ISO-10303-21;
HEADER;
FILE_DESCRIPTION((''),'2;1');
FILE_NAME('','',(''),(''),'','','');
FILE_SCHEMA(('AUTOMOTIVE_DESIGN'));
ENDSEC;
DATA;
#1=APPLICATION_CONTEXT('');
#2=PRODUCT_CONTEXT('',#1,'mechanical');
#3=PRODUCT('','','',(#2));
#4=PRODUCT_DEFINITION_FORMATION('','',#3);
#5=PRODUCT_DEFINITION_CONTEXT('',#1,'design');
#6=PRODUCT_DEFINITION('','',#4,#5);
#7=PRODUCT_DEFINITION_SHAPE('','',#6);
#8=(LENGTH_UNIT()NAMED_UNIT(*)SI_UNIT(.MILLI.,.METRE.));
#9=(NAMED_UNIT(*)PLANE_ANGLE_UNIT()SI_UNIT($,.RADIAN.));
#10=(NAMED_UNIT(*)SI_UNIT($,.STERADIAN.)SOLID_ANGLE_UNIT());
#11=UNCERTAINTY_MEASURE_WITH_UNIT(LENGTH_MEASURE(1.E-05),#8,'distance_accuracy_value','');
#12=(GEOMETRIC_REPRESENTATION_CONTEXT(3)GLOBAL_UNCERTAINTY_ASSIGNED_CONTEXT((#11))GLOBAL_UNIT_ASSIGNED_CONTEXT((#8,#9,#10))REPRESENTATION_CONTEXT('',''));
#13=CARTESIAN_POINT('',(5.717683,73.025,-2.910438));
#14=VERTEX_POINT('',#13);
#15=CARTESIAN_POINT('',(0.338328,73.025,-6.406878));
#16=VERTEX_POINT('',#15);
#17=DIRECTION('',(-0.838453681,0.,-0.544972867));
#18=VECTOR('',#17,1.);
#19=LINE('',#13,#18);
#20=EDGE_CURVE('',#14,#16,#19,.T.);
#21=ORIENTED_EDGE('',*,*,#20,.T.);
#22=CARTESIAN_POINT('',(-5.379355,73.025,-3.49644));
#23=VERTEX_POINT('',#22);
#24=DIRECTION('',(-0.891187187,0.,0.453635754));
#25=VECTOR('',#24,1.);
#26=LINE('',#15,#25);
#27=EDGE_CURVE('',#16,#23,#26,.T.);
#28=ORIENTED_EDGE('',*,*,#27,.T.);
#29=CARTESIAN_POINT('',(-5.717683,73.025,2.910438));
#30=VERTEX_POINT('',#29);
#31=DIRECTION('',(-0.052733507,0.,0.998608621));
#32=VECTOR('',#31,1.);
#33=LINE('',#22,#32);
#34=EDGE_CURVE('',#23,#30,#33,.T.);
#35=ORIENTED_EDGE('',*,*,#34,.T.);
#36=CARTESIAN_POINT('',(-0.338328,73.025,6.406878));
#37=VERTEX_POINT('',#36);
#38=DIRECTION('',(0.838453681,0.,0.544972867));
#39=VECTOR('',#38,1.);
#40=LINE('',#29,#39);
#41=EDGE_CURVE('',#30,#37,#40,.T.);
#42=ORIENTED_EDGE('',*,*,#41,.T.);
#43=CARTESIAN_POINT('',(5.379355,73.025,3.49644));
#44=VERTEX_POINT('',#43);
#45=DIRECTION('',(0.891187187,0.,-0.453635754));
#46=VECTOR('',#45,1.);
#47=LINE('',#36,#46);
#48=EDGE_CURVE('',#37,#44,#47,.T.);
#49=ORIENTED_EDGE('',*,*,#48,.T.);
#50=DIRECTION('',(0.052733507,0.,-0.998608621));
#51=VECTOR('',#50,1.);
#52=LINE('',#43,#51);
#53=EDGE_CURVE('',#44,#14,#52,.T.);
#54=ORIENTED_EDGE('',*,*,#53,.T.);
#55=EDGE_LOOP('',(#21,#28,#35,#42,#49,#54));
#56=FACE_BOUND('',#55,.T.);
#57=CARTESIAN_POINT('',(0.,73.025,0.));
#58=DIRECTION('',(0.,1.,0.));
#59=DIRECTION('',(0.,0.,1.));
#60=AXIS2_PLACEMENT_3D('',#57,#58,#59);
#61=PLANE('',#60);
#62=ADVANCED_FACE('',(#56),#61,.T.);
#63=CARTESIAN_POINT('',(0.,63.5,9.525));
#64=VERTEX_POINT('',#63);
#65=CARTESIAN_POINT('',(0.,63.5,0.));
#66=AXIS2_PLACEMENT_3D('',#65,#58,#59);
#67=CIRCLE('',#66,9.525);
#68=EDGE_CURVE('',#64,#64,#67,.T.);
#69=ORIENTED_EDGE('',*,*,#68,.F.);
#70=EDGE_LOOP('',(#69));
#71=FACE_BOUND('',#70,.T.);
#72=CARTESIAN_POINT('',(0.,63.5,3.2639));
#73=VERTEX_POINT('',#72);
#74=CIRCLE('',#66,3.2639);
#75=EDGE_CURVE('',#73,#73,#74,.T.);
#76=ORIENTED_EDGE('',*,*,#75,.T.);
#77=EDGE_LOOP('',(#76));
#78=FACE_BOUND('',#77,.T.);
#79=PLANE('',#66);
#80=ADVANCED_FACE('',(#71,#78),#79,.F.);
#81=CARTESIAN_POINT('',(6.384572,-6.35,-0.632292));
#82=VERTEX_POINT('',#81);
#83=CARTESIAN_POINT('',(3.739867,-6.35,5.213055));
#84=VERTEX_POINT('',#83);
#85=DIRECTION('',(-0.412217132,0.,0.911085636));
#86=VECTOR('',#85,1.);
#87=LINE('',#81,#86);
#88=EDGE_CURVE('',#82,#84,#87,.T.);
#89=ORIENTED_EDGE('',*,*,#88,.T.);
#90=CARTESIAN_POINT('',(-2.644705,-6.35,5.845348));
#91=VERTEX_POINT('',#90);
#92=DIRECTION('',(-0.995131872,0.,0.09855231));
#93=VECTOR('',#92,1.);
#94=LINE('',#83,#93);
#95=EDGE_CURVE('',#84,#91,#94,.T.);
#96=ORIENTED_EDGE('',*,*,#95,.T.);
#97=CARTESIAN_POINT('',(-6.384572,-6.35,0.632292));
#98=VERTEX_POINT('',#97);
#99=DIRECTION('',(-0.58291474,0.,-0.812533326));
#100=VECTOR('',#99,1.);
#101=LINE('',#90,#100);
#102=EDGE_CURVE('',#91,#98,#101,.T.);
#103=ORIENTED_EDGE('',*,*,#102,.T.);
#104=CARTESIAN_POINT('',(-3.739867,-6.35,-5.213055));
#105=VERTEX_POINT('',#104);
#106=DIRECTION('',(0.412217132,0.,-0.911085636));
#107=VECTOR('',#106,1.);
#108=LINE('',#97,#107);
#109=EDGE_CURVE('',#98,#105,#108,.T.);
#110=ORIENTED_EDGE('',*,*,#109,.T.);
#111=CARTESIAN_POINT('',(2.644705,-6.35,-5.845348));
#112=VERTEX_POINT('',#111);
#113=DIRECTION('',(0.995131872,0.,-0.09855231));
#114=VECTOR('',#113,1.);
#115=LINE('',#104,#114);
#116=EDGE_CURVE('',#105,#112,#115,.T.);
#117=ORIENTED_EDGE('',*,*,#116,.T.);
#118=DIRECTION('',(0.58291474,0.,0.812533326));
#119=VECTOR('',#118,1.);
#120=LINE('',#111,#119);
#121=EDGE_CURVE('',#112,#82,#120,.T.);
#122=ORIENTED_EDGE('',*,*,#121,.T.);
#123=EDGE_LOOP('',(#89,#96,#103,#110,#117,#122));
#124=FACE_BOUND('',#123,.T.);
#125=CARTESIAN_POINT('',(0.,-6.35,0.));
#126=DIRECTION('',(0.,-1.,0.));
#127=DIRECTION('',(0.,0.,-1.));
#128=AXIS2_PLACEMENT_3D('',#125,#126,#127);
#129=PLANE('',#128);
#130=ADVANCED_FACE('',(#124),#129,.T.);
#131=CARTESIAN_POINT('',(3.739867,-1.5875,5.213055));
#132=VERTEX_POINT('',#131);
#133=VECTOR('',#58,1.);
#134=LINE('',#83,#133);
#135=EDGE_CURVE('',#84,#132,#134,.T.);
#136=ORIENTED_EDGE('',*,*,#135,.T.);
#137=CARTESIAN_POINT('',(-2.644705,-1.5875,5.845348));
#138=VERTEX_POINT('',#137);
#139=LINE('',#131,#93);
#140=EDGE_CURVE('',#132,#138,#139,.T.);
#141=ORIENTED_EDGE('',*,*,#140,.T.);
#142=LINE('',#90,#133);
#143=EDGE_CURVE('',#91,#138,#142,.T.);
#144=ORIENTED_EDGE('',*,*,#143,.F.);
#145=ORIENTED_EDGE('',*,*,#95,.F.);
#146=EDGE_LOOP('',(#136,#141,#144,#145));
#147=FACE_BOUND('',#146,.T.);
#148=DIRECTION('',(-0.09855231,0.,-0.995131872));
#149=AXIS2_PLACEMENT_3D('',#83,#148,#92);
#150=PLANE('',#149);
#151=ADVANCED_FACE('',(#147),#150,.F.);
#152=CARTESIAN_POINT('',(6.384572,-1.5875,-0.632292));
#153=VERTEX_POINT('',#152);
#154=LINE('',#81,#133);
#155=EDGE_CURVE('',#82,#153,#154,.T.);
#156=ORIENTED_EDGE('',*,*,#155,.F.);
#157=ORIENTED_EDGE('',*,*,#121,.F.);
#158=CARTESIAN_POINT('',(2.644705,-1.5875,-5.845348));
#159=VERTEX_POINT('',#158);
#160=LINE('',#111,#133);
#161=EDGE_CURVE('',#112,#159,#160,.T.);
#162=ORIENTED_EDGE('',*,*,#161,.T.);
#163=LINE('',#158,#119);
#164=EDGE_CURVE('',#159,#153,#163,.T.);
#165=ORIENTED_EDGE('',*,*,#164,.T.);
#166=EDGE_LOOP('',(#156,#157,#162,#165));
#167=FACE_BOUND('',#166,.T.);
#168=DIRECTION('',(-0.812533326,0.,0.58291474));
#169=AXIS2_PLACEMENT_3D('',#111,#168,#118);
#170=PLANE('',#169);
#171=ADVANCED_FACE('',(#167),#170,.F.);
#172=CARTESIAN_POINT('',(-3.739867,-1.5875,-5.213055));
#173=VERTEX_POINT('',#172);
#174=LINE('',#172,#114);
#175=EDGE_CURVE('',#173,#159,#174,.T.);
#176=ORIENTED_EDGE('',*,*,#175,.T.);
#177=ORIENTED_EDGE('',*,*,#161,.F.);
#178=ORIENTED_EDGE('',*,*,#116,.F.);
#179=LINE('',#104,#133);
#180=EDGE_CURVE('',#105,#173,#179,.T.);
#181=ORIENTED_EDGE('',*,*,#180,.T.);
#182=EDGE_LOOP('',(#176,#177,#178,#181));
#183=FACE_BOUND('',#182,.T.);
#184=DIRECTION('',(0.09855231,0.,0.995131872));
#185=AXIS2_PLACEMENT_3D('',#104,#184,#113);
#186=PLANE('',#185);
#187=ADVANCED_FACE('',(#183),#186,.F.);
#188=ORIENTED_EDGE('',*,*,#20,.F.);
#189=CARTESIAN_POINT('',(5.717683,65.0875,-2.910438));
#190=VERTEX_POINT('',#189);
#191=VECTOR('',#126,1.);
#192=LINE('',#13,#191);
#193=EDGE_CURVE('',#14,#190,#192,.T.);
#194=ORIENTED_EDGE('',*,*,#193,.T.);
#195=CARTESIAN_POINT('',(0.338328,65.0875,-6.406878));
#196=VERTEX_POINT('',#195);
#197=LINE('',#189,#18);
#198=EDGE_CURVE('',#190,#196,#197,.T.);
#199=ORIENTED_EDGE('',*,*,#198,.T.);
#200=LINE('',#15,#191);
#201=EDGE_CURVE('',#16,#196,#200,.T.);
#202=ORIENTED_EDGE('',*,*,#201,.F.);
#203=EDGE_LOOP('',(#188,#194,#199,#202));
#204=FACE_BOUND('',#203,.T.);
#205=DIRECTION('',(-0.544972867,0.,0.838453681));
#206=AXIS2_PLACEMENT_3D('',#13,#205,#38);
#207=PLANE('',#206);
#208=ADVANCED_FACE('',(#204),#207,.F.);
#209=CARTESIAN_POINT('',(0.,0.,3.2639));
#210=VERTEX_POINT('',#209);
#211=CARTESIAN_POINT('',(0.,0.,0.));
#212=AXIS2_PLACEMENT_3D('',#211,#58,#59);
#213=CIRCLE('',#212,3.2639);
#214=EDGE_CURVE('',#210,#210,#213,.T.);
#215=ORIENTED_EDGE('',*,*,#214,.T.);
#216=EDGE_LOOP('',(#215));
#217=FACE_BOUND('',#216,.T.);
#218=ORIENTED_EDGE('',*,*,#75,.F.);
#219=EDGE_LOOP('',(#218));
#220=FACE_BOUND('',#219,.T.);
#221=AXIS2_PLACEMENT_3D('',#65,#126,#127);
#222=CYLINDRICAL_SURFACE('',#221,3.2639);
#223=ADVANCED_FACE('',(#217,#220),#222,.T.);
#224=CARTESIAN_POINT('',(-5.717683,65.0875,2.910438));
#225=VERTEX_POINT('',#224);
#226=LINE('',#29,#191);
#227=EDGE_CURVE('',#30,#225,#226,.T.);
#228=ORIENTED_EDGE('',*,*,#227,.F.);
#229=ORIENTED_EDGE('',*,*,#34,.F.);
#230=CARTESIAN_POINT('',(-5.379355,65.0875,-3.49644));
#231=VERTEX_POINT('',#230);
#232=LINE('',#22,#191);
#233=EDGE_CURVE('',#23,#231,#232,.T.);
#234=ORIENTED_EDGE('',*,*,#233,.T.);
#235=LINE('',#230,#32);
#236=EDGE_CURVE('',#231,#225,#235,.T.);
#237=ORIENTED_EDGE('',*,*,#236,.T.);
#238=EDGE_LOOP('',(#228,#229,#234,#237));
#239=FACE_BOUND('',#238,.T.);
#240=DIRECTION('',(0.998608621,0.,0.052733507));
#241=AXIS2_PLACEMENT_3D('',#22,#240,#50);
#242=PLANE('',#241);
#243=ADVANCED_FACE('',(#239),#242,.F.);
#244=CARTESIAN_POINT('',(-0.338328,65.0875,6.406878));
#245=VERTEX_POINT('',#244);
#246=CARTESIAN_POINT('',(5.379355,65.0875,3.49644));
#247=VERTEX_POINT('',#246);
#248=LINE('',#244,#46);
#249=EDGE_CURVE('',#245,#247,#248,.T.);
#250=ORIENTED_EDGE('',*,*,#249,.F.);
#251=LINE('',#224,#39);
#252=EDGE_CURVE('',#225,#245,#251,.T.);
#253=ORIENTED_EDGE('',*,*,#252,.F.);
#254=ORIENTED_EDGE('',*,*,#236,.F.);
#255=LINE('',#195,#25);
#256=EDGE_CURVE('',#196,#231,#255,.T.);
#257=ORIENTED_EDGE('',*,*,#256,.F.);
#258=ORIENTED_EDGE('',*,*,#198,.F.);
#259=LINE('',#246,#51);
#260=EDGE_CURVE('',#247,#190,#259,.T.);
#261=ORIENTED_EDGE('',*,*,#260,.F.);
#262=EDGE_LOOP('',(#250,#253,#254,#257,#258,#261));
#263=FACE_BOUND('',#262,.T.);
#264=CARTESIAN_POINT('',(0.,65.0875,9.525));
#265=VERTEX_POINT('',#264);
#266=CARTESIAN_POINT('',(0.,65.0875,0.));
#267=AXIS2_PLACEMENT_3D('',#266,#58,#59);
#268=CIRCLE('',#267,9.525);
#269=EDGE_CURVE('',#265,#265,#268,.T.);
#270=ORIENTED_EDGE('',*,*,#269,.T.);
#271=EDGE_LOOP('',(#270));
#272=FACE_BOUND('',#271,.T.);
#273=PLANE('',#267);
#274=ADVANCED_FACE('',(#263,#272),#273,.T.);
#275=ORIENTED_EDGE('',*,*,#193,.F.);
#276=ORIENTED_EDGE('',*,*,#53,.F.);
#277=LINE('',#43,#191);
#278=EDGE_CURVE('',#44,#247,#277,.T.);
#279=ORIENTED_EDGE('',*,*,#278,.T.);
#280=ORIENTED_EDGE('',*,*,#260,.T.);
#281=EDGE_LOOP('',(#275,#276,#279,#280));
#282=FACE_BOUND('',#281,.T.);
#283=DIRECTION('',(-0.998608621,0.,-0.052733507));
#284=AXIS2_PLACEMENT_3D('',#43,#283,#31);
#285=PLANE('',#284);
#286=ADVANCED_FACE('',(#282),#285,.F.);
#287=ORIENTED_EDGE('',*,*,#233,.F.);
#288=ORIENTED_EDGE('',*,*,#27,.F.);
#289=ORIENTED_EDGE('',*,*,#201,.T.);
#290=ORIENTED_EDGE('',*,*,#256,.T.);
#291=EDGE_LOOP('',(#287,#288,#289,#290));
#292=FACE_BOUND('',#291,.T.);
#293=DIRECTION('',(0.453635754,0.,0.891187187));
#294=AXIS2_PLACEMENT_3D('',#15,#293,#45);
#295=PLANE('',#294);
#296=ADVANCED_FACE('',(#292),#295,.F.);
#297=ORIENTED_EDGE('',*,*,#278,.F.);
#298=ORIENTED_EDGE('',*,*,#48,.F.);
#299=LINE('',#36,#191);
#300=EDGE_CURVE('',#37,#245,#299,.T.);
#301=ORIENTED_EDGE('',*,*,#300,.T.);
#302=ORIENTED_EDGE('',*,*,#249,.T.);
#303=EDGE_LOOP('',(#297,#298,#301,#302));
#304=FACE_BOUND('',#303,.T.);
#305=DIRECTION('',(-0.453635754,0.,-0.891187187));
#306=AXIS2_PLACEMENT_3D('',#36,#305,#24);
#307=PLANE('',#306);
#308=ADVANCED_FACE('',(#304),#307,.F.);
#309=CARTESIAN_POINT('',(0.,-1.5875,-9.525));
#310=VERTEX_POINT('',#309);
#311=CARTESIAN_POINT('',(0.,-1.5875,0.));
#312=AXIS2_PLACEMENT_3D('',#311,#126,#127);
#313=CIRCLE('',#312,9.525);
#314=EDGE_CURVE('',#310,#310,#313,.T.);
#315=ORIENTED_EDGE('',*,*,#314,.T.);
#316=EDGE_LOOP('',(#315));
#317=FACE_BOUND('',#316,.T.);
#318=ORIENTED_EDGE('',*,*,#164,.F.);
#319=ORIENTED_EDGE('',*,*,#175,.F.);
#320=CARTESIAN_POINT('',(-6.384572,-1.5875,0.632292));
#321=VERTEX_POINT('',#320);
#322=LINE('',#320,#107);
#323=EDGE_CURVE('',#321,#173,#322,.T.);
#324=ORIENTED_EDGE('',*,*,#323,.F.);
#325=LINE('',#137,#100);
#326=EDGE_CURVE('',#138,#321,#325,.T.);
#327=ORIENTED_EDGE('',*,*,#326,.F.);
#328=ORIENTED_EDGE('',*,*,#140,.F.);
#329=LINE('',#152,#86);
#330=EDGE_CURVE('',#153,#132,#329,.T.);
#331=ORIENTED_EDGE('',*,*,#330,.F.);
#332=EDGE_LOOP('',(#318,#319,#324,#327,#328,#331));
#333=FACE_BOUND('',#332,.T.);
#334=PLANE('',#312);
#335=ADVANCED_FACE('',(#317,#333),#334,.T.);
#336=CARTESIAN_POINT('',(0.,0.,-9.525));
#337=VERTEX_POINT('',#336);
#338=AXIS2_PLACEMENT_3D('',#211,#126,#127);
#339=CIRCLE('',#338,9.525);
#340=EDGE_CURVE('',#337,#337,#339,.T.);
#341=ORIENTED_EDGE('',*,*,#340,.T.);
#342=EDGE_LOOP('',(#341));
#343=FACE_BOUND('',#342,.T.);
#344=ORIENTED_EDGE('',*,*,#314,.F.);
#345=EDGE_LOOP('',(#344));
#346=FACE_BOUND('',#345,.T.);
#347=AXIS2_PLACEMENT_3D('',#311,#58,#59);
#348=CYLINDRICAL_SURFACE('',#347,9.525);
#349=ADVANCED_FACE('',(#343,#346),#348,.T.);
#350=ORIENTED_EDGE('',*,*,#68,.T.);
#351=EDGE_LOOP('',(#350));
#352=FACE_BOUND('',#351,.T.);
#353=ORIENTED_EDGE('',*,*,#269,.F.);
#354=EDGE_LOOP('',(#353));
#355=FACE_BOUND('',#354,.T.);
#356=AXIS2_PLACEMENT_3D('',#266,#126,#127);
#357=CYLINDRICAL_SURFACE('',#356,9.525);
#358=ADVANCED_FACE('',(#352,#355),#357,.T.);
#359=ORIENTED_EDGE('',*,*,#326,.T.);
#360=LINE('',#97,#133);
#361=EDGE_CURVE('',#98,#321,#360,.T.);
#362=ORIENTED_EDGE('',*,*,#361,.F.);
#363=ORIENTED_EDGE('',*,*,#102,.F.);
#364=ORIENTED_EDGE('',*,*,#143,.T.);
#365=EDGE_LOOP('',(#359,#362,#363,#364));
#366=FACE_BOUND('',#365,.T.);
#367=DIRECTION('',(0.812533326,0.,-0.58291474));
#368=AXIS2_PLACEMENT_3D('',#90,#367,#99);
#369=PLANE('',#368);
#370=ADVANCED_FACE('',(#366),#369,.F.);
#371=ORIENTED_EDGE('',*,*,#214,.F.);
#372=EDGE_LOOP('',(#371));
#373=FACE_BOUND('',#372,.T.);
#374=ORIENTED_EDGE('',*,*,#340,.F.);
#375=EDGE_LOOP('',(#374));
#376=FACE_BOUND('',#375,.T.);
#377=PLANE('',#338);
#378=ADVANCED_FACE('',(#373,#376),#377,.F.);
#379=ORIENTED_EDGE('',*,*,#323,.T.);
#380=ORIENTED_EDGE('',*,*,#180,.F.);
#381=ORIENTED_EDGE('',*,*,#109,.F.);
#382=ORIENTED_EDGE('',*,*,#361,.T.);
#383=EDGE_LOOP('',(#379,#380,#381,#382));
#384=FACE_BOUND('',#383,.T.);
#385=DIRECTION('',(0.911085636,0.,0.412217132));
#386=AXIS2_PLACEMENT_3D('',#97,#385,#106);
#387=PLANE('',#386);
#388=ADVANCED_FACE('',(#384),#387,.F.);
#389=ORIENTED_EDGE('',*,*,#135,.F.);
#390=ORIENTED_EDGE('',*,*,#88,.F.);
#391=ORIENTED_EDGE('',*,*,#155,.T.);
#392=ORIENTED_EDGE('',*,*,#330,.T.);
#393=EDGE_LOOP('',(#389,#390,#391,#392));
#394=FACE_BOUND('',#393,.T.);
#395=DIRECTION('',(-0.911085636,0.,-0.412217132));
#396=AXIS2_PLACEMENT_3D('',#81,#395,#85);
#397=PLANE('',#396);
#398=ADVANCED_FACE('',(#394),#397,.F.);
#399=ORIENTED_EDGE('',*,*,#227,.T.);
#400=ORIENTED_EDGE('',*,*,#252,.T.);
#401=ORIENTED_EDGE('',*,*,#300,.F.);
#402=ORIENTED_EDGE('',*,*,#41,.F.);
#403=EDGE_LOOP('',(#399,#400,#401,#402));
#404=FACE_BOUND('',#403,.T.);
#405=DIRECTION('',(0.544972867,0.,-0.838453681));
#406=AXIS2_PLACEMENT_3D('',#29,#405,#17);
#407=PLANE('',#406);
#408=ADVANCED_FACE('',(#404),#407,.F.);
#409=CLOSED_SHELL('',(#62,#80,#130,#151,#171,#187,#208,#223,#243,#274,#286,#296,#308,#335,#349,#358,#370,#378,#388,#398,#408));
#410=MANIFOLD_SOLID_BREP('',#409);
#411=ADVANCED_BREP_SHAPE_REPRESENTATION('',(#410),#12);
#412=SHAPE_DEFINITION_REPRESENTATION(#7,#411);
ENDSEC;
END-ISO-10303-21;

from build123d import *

# Parameters (mm, degrees)
SKETCH1_R           = 3.2639
BOSS_EXTRUDE1_DEPTH = 63.5
SKETCH2_R           = 9.525
BOSS_EXTRUDE2_DEPTH = 1.5875
BOSS_EXTRUDE3_START = 1.5875
SKETCH3_R           = 9.525
BOSS_EXTRUDE3_DEPTH = 1.5875
BOSS_EXTRUDE4_DEPTH = 4.7625
BOSS_EXTRUDE5_DEPTH = 7.9375


with BuildPart() as part:
    # Sketch1 → Boss-Extrude1 (new body)
    with BuildSketch(Plane(origin=(0, 0, 0), x_dir=(1, 0, 0), z_dir=(0, 1, 0))):
        with Locations(Location((0, 0, 0), (0, 0, 270))):
            Circle(SKETCH1_R)
    extrude(amount=BOSS_EXTRUDE1_DEPTH)

    # Sketch2 → Boss-Extrude2 (add)
    with BuildSketch(Plane(origin=(0, 63.5, 0), x_dir=(1, 0, 0), z_dir=(0, 1, 0))):
        with Locations(Location((0, 0, 0), (0, 0, 270))):
            Circle(SKETCH2_R)
    extrude(amount=BOSS_EXTRUDE2_DEPTH)

    # Sketch3 → Boss-Extrude3 (add)
    with BuildSketch(Plane.XZ.offset(BOSS_EXTRUDE3_START)):
        with Locations(Location((0, 0, 0), (0, 0, 90))):
            Circle(SKETCH3_R)
    extrude(amount=-BOSS_EXTRUDE3_DEPTH)

    # Sketch4 → Boss-Extrude4 (add)
    with BuildSketch(Plane.XZ.offset(1.5875)):
        Polygon((3.739867225, 5.213055267), (-2.64470468, 5.845347658), (-6.384571906, 0.63229239), (-3.739867225, -5.213055267), (2.64470468, -5.845347658), (6.384571906, -0.63229239), align=None)
    extrude(amount=BOSS_EXTRUDE4_DEPTH)

    # Sketch5 → Boss-Extrude5 (add)
    with BuildSketch(Plane(origin=(0, 65.0875, 0), x_dir=(1, 0, 0), z_dir=(0, 1, 0))):
        Polygon((5.379355204, -3.496439571), (5.717683093, 2.910438477), (0.33832789, 6.406878048), (-5.379355204, 3.496439571), (-5.717683093, -2.910438477), (-0.33832789, -6.406878048), align=None)
    extrude(amount=BOSS_EXTRUDE5_DEPTH)


solid = part.part
